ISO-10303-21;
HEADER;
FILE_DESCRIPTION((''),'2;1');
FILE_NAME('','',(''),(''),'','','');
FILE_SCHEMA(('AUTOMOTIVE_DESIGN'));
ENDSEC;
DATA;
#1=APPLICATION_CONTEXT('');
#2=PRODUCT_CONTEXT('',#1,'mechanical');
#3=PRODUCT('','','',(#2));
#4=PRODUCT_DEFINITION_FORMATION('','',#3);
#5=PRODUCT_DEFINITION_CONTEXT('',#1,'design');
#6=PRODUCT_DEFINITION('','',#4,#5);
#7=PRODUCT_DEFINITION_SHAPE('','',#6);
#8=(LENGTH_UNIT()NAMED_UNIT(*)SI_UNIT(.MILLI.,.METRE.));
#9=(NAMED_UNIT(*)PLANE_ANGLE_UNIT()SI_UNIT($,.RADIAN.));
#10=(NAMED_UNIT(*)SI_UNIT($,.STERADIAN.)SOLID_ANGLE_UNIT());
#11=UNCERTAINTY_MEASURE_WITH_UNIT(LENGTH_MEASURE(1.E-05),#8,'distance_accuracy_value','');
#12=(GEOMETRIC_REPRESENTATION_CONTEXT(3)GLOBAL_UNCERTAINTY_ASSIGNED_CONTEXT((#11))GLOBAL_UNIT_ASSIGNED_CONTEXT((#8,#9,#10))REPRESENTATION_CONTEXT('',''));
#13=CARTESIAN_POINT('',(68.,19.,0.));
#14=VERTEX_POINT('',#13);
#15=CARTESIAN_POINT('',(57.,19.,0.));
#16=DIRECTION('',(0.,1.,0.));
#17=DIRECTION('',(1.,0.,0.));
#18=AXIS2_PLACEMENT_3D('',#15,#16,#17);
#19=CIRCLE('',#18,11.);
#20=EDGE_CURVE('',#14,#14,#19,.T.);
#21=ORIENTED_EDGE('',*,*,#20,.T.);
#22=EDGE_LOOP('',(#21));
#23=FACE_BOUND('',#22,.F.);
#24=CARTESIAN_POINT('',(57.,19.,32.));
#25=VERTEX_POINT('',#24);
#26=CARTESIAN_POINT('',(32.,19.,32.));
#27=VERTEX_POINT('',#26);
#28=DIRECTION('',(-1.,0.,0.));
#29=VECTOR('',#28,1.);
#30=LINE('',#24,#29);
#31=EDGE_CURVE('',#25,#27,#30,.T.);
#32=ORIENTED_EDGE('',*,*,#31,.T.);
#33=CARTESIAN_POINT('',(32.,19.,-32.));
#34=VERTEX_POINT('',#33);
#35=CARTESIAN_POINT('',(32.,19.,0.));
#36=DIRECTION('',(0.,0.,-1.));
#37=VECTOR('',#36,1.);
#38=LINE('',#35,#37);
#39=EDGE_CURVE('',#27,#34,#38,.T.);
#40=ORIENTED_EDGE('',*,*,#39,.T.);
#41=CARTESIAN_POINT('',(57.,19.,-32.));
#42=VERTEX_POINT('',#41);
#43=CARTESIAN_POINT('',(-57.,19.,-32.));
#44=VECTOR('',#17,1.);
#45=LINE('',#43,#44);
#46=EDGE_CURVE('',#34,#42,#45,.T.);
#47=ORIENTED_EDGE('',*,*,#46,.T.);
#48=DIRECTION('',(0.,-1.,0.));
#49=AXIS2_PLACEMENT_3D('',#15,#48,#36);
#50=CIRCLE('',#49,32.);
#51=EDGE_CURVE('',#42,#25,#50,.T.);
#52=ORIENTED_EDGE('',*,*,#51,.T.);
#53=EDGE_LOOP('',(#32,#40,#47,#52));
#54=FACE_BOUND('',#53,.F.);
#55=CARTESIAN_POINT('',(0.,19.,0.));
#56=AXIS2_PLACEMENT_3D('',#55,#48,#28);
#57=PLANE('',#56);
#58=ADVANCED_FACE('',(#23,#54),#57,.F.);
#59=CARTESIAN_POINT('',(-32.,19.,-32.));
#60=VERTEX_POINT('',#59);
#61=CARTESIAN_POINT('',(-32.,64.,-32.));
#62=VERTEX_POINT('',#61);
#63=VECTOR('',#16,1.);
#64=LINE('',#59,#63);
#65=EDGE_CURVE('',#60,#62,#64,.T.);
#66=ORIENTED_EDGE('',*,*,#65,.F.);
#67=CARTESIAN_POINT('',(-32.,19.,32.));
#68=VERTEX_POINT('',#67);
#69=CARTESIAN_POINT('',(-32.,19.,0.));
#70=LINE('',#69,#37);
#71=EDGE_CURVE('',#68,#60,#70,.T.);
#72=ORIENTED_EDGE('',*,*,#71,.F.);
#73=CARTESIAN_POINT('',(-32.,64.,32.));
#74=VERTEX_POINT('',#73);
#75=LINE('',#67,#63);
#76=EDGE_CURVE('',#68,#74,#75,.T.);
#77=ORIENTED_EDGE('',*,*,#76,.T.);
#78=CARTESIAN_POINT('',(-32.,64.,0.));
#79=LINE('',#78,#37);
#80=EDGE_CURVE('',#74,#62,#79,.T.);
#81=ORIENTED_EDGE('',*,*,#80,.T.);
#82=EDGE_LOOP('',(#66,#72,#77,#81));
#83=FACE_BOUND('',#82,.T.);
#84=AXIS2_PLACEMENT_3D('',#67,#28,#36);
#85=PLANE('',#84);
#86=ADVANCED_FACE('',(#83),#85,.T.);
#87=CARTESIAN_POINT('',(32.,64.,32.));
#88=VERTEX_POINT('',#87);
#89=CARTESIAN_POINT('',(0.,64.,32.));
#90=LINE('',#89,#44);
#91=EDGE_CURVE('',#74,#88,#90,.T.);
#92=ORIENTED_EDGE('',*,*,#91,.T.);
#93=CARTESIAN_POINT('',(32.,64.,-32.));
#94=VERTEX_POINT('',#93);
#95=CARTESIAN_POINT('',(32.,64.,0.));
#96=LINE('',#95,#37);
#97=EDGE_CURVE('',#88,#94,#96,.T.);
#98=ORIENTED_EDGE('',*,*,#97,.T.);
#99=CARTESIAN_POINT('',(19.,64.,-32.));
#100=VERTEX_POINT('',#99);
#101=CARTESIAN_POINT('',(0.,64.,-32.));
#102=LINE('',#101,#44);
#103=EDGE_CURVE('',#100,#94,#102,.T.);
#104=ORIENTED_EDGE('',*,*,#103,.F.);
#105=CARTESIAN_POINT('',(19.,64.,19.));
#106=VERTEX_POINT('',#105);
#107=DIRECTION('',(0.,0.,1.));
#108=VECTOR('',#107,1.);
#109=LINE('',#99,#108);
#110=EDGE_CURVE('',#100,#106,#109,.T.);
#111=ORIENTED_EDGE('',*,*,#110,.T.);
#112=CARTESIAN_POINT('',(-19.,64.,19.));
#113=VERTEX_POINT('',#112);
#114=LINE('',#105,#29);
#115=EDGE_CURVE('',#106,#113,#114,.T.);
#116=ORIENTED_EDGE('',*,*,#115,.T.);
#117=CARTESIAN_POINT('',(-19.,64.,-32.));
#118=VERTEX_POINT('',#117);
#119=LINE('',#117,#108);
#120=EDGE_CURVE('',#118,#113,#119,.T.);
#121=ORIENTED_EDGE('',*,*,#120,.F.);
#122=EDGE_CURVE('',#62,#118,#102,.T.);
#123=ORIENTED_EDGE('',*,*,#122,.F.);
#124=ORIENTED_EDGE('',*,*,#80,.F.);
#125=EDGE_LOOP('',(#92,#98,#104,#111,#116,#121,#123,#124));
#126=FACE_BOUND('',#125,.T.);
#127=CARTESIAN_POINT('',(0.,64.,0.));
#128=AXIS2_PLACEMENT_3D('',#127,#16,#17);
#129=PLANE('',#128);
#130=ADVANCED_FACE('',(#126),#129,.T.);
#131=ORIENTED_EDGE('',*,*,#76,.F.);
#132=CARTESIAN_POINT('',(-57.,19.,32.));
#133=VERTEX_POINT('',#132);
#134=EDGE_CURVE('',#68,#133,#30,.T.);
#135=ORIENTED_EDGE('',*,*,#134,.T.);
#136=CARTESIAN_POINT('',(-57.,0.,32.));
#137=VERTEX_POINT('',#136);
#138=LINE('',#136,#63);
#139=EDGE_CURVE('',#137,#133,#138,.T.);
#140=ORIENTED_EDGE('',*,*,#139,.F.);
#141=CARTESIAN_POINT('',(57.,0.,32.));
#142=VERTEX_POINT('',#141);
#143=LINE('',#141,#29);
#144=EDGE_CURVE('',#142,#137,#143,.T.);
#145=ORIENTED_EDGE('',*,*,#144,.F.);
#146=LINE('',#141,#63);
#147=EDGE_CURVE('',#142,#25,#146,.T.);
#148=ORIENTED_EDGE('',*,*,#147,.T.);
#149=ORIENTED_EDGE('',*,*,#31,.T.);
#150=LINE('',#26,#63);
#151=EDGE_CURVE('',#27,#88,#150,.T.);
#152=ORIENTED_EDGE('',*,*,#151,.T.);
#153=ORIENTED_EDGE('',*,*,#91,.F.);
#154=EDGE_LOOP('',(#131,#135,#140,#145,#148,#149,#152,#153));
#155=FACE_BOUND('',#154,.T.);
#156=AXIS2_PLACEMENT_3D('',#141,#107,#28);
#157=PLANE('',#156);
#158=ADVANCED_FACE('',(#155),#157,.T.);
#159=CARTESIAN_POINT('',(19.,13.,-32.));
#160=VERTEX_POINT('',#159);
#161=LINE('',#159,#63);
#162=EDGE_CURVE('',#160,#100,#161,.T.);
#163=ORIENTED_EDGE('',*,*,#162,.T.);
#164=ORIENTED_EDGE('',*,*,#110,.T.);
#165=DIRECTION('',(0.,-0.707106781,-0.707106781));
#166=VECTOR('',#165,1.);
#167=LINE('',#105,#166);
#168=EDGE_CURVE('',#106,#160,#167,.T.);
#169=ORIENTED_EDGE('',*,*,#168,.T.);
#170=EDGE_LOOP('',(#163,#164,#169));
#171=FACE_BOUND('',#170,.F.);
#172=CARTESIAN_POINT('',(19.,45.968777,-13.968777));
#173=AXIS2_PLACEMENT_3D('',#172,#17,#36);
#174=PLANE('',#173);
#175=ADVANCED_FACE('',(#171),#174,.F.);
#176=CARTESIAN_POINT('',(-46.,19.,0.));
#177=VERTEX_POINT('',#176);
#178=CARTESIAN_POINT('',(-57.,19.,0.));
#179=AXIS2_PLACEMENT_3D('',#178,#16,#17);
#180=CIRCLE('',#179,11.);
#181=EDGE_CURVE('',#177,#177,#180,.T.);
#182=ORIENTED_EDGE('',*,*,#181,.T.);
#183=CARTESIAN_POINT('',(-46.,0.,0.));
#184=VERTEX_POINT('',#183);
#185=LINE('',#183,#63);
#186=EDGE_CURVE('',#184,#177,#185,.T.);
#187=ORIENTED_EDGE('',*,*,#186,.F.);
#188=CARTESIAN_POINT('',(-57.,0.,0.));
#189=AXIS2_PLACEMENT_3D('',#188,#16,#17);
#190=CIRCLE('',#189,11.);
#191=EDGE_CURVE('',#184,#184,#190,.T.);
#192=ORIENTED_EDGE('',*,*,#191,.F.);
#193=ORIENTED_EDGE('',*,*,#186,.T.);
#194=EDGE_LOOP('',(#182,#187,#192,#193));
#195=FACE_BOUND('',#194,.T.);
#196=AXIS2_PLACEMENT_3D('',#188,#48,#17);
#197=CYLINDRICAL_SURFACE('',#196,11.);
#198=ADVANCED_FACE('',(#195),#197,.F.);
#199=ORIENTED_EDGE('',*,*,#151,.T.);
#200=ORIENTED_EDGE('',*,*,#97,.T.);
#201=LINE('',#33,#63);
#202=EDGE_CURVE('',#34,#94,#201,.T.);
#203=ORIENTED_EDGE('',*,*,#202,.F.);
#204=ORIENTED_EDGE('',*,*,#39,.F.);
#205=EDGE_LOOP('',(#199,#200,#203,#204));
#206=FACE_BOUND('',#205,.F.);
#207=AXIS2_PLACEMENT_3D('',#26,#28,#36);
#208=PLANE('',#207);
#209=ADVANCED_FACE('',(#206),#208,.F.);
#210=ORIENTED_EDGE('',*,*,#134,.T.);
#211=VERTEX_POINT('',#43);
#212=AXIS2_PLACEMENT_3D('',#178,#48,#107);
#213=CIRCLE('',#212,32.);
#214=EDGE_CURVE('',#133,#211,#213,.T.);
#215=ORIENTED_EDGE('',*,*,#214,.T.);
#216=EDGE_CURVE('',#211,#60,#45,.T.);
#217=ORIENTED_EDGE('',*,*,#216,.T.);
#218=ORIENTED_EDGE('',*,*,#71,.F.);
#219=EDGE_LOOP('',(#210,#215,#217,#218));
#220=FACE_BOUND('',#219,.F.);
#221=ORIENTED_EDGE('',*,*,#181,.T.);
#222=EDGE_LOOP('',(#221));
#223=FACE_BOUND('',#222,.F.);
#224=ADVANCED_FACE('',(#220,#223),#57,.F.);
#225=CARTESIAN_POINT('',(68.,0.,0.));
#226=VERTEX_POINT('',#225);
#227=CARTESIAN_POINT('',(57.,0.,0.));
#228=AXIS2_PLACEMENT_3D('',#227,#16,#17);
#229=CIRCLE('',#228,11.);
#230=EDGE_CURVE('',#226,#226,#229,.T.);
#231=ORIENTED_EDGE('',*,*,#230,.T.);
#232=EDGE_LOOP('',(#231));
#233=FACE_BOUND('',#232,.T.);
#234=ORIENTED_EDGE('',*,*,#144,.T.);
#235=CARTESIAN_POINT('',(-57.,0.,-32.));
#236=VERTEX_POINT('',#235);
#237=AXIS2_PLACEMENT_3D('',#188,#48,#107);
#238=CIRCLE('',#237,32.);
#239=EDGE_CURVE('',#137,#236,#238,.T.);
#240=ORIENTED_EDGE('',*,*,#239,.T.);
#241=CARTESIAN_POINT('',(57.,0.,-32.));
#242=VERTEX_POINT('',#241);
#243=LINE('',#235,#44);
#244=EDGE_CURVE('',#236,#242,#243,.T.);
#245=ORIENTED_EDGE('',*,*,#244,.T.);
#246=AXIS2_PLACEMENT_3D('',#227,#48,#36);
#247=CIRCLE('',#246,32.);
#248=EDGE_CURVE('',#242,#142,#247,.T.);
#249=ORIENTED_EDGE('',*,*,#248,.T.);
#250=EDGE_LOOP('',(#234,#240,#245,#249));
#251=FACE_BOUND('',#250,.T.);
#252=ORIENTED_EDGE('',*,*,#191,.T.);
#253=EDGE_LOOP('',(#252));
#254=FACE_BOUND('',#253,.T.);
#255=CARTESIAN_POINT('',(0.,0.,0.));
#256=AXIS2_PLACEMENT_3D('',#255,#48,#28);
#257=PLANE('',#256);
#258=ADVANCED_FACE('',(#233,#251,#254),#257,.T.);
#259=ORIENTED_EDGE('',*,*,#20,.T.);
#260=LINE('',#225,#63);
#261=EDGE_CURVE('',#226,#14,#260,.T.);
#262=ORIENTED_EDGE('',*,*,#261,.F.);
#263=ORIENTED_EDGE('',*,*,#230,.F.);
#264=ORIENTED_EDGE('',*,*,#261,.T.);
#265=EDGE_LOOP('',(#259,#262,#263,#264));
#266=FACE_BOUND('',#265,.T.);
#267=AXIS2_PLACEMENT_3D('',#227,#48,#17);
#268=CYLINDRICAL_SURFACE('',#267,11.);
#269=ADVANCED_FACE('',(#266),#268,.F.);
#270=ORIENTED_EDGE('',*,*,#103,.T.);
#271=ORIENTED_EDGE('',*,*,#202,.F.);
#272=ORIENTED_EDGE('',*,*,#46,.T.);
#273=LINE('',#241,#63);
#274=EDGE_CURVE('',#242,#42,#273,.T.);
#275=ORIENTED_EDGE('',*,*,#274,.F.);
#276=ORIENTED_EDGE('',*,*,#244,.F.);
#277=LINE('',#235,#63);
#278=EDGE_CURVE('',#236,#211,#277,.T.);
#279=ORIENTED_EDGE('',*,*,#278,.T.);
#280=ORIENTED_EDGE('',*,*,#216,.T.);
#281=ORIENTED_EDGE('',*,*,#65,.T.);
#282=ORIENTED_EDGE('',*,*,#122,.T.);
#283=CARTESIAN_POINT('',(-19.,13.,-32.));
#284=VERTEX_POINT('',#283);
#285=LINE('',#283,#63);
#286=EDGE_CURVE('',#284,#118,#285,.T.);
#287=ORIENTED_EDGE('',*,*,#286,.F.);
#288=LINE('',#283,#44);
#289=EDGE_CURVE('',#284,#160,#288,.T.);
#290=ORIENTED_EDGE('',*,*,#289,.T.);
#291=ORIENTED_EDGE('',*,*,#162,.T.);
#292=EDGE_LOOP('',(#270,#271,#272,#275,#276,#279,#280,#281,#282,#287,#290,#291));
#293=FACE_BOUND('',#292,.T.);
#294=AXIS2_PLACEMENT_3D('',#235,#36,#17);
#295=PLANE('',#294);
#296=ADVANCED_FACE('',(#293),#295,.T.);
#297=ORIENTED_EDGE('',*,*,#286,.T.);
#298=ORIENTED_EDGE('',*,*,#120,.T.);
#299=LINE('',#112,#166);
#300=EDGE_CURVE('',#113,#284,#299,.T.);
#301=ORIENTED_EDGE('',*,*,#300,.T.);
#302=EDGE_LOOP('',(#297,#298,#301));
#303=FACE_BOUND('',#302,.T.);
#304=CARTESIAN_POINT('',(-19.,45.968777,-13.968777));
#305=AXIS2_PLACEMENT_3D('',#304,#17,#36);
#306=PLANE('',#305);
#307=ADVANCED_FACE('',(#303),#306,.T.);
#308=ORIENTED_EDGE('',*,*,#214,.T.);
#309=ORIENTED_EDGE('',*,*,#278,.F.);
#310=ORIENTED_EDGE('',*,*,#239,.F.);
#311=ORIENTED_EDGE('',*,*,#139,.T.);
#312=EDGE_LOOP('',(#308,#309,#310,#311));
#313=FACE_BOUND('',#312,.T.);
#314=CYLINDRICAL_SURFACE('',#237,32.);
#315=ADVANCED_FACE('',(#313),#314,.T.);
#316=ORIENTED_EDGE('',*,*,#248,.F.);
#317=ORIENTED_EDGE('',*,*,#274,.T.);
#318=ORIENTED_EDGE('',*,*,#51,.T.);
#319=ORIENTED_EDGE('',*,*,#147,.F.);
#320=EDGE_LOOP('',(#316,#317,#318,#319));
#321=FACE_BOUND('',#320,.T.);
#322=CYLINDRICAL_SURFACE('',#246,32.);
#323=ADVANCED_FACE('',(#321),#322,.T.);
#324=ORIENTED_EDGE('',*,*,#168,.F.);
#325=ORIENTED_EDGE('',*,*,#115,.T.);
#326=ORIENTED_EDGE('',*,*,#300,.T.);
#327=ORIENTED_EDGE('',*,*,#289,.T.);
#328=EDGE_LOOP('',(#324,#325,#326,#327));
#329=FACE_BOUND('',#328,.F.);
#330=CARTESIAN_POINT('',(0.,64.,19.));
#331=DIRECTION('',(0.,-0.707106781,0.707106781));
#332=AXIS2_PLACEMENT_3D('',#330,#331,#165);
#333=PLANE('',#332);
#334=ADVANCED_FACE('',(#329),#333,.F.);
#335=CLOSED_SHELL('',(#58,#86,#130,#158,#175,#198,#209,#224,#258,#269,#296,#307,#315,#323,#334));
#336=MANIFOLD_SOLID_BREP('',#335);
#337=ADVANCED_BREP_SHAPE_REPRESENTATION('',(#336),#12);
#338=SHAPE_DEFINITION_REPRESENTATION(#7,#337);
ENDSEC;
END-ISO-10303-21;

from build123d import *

# Parameters (mm, degrees)
SKETCH1_R           = 11
BOSS_EXTRUDE1_DEPTH = 19
SKETCH2_W           = 64
SKETCH2_H           = 64
BOSS_EXTRUDE2_DEPTH = 45
CUT_EXTRUDE4_DEPTH  = 19


with BuildPart() as part:
    # Sketch1 → Boss-Extrude1 (new body)
    with BuildSketch(Plane(origin=(0, 0, 0), x_dir=(1, 0, 0), z_dir=(0, 1, 0))):
        with BuildLine():
            Line((-57, 32), (57, 32))
            ThreePointArc((57, 32), (89, 0), (57, -32))
            Line((57, -32), (-57, -32))
            ThreePointArc((-57, -32), (-89, 0), (-57, 32))
        make_face()
        with Locations((-57, 0)):
            Circle(SKETCH1_R, mode=Mode.SUBTRACT)
        with Locations((57, 0)):
            Circle(SKETCH1_R, mode=Mode.SUBTRACT)
    extrude(amount=BOSS_EXTRUDE1_DEPTH)

    # Sketch2 → Boss-Extrude2 (add)
    with BuildSketch(Plane(origin=(0, 19, 0), x_dir=(1, 0, 0), z_dir=(0, 1, 0))):
        Rectangle(SKETCH2_W, SKETCH2_H)
    extrude(amount=BOSS_EXTRUDE2_DEPTH)

    # Sketch5 → Cut-Extrude4 (cut, symmetric)
    with BuildSketch(Plane(origin=(0, 0, 0), x_dir=(0, 0, -1), z_dir=(1, 0, 0))):
        Polygon((-19, 64), (32, 13), (32, 64), align=None)
    extrude(amount=CUT_EXTRUDE4_DEPTH, both=True, mode=Mode.SUBTRACT)


solid = part.part
